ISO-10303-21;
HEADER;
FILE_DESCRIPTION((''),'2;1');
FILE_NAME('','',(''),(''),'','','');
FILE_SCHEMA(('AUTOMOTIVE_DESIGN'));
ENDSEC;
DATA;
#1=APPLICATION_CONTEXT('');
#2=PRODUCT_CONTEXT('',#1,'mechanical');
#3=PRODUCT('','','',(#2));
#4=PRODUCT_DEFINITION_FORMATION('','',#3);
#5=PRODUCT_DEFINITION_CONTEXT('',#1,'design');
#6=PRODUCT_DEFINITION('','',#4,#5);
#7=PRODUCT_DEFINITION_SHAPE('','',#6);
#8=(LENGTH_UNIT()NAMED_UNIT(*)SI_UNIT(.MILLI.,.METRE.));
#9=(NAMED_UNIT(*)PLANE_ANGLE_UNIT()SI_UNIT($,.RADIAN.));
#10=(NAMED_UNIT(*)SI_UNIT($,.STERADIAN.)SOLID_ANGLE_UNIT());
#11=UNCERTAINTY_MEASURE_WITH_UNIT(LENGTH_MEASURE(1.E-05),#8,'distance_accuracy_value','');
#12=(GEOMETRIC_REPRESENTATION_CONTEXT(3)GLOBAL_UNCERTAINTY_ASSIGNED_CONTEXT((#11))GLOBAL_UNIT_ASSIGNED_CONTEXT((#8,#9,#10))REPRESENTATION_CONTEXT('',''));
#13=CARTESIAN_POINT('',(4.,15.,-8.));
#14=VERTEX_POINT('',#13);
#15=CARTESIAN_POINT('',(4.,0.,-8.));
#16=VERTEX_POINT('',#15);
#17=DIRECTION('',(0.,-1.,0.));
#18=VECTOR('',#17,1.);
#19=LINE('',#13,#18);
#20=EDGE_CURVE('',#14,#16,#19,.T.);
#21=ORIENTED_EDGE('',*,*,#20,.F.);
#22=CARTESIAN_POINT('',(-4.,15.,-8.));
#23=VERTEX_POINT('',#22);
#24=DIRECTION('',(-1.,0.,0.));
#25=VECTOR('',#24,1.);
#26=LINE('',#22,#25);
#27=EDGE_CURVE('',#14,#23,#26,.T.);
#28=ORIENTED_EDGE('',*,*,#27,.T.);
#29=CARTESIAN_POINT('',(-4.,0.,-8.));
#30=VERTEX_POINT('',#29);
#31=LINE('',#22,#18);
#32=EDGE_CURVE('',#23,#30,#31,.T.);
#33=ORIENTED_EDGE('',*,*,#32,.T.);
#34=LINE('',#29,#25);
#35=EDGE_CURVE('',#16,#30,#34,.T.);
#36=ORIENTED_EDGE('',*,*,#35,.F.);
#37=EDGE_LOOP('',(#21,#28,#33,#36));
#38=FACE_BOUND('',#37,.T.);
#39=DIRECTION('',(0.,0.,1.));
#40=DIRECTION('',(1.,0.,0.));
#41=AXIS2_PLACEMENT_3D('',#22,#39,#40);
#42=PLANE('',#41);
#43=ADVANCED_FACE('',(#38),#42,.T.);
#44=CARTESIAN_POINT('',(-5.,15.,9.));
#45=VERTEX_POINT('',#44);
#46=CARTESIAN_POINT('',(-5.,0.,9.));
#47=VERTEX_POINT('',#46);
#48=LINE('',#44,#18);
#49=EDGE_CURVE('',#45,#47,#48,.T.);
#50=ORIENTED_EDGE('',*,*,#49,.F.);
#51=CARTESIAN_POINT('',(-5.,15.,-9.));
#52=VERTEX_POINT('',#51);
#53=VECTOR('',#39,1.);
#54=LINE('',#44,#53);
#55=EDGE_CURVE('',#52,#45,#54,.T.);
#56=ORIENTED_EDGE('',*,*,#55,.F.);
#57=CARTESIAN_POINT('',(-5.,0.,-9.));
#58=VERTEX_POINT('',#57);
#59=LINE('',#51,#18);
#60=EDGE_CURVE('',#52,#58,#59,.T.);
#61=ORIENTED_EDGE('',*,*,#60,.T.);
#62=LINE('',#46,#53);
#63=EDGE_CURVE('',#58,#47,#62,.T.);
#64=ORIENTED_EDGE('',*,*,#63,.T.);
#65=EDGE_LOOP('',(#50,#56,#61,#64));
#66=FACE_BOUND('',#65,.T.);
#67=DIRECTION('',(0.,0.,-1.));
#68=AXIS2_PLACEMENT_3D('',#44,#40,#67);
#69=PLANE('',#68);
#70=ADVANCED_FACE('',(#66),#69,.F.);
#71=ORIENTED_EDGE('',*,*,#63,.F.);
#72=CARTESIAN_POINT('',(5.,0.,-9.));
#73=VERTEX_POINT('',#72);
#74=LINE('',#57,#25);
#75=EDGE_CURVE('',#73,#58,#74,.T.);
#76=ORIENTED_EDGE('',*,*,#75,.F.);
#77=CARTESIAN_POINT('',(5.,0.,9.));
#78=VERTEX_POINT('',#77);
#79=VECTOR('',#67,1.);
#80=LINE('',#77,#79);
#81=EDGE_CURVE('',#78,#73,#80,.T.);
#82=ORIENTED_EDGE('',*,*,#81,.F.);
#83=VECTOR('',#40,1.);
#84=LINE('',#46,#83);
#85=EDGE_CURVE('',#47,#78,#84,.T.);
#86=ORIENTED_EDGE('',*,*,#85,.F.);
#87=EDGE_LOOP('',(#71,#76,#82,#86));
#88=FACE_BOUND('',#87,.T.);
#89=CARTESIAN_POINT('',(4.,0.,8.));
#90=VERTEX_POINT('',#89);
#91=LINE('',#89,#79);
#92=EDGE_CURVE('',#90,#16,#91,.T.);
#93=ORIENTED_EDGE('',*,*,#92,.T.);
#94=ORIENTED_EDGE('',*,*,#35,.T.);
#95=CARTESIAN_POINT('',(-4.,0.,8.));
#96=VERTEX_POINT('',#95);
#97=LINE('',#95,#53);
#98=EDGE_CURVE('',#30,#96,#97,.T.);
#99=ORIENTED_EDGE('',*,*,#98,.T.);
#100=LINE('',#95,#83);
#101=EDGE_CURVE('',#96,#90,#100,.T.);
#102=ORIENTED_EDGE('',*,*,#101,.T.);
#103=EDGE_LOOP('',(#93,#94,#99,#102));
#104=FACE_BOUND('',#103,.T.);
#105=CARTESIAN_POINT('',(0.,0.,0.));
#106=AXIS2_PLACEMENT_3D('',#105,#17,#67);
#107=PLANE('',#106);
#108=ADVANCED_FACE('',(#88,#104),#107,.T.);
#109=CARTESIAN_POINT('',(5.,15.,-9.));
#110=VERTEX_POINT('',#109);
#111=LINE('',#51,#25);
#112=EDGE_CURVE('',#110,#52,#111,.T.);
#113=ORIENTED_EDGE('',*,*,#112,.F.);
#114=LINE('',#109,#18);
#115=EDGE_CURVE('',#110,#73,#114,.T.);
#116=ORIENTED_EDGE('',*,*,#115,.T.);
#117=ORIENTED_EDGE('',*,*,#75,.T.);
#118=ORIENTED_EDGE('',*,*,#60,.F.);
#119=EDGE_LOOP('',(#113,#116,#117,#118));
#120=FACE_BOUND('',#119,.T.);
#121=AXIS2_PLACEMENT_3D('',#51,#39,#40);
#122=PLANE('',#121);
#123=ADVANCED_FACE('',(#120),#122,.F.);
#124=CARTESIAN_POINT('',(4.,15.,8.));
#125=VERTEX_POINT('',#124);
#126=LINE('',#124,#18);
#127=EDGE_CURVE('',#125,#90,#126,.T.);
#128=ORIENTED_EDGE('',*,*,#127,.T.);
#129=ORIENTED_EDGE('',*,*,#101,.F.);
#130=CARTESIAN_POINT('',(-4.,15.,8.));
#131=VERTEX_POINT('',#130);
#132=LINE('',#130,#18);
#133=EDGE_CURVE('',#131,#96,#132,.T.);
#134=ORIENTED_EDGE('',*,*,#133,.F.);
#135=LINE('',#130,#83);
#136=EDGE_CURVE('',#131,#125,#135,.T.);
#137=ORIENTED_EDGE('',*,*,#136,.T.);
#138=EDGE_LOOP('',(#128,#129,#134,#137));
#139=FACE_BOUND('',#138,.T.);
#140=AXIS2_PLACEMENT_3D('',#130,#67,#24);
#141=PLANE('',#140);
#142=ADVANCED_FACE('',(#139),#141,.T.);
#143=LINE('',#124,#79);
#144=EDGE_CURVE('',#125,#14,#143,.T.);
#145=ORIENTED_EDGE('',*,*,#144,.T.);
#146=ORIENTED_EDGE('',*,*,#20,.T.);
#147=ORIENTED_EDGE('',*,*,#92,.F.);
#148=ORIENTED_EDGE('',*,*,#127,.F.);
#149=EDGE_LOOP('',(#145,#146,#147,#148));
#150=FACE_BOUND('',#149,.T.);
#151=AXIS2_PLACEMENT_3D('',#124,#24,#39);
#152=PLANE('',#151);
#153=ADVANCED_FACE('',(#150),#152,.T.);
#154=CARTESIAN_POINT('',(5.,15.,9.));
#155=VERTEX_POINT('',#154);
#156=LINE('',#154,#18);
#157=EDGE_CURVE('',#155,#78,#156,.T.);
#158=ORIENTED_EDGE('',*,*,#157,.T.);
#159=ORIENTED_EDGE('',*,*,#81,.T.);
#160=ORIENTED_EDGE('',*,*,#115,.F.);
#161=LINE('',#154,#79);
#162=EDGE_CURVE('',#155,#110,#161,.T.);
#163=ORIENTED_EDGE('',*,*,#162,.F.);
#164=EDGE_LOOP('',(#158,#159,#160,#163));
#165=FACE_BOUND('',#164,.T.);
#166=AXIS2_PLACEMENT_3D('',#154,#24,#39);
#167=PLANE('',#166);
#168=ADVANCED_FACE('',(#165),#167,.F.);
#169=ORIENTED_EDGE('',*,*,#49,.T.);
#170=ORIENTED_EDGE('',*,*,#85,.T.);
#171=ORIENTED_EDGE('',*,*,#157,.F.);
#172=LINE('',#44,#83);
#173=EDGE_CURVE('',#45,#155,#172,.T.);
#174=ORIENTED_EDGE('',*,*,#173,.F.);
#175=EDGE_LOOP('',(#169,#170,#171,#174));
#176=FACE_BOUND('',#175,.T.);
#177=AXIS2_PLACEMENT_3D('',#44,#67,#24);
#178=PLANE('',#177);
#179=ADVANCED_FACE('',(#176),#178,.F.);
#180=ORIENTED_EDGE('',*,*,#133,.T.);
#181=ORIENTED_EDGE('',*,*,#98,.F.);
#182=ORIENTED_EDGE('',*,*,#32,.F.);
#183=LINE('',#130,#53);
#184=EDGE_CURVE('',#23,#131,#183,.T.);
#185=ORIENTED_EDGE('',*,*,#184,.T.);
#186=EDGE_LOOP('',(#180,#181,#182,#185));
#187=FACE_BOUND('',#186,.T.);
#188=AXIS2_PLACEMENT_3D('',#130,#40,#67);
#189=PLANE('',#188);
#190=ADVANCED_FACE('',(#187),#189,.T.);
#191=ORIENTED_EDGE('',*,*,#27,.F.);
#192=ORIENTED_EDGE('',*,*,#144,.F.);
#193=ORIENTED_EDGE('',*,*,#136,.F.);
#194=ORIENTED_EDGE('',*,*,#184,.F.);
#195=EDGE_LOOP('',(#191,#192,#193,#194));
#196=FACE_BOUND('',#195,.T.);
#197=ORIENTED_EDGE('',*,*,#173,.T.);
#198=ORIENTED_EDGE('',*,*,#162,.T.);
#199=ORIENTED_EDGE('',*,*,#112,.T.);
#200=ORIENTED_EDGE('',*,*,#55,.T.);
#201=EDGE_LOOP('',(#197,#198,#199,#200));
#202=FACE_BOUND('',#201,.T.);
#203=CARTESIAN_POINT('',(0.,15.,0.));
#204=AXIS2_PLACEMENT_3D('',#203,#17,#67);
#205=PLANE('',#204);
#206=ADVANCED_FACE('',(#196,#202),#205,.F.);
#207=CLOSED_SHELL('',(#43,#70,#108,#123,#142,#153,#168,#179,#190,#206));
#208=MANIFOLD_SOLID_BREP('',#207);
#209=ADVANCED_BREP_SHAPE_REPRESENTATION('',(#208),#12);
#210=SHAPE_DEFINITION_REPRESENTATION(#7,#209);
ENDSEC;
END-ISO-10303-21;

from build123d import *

# Parameters (mm, degrees)
SUSBBASE_W     = 10
SUSBBASE_H     = 18
SUSBBASE_W_2   = 8
SUSBBASE_H_2   = 16
FUSBBASE_DEPTH = 15


with BuildPart() as part:
    # SUsbBase → FUsbBase (new body)
    with BuildSketch(Plane(origin=(0, 0, 0), x_dir=(1, 0, 0), z_dir=(0, 1, 0))):
        Rectangle(SUSBBASE_W, SUSBBASE_H)
        Rectangle(SUSBBASE_W_2, SUSBBASE_H_2, mode=Mode.SUBTRACT)
    extrude(amount=FUSBBASE_DEPTH)


solid = part.part
